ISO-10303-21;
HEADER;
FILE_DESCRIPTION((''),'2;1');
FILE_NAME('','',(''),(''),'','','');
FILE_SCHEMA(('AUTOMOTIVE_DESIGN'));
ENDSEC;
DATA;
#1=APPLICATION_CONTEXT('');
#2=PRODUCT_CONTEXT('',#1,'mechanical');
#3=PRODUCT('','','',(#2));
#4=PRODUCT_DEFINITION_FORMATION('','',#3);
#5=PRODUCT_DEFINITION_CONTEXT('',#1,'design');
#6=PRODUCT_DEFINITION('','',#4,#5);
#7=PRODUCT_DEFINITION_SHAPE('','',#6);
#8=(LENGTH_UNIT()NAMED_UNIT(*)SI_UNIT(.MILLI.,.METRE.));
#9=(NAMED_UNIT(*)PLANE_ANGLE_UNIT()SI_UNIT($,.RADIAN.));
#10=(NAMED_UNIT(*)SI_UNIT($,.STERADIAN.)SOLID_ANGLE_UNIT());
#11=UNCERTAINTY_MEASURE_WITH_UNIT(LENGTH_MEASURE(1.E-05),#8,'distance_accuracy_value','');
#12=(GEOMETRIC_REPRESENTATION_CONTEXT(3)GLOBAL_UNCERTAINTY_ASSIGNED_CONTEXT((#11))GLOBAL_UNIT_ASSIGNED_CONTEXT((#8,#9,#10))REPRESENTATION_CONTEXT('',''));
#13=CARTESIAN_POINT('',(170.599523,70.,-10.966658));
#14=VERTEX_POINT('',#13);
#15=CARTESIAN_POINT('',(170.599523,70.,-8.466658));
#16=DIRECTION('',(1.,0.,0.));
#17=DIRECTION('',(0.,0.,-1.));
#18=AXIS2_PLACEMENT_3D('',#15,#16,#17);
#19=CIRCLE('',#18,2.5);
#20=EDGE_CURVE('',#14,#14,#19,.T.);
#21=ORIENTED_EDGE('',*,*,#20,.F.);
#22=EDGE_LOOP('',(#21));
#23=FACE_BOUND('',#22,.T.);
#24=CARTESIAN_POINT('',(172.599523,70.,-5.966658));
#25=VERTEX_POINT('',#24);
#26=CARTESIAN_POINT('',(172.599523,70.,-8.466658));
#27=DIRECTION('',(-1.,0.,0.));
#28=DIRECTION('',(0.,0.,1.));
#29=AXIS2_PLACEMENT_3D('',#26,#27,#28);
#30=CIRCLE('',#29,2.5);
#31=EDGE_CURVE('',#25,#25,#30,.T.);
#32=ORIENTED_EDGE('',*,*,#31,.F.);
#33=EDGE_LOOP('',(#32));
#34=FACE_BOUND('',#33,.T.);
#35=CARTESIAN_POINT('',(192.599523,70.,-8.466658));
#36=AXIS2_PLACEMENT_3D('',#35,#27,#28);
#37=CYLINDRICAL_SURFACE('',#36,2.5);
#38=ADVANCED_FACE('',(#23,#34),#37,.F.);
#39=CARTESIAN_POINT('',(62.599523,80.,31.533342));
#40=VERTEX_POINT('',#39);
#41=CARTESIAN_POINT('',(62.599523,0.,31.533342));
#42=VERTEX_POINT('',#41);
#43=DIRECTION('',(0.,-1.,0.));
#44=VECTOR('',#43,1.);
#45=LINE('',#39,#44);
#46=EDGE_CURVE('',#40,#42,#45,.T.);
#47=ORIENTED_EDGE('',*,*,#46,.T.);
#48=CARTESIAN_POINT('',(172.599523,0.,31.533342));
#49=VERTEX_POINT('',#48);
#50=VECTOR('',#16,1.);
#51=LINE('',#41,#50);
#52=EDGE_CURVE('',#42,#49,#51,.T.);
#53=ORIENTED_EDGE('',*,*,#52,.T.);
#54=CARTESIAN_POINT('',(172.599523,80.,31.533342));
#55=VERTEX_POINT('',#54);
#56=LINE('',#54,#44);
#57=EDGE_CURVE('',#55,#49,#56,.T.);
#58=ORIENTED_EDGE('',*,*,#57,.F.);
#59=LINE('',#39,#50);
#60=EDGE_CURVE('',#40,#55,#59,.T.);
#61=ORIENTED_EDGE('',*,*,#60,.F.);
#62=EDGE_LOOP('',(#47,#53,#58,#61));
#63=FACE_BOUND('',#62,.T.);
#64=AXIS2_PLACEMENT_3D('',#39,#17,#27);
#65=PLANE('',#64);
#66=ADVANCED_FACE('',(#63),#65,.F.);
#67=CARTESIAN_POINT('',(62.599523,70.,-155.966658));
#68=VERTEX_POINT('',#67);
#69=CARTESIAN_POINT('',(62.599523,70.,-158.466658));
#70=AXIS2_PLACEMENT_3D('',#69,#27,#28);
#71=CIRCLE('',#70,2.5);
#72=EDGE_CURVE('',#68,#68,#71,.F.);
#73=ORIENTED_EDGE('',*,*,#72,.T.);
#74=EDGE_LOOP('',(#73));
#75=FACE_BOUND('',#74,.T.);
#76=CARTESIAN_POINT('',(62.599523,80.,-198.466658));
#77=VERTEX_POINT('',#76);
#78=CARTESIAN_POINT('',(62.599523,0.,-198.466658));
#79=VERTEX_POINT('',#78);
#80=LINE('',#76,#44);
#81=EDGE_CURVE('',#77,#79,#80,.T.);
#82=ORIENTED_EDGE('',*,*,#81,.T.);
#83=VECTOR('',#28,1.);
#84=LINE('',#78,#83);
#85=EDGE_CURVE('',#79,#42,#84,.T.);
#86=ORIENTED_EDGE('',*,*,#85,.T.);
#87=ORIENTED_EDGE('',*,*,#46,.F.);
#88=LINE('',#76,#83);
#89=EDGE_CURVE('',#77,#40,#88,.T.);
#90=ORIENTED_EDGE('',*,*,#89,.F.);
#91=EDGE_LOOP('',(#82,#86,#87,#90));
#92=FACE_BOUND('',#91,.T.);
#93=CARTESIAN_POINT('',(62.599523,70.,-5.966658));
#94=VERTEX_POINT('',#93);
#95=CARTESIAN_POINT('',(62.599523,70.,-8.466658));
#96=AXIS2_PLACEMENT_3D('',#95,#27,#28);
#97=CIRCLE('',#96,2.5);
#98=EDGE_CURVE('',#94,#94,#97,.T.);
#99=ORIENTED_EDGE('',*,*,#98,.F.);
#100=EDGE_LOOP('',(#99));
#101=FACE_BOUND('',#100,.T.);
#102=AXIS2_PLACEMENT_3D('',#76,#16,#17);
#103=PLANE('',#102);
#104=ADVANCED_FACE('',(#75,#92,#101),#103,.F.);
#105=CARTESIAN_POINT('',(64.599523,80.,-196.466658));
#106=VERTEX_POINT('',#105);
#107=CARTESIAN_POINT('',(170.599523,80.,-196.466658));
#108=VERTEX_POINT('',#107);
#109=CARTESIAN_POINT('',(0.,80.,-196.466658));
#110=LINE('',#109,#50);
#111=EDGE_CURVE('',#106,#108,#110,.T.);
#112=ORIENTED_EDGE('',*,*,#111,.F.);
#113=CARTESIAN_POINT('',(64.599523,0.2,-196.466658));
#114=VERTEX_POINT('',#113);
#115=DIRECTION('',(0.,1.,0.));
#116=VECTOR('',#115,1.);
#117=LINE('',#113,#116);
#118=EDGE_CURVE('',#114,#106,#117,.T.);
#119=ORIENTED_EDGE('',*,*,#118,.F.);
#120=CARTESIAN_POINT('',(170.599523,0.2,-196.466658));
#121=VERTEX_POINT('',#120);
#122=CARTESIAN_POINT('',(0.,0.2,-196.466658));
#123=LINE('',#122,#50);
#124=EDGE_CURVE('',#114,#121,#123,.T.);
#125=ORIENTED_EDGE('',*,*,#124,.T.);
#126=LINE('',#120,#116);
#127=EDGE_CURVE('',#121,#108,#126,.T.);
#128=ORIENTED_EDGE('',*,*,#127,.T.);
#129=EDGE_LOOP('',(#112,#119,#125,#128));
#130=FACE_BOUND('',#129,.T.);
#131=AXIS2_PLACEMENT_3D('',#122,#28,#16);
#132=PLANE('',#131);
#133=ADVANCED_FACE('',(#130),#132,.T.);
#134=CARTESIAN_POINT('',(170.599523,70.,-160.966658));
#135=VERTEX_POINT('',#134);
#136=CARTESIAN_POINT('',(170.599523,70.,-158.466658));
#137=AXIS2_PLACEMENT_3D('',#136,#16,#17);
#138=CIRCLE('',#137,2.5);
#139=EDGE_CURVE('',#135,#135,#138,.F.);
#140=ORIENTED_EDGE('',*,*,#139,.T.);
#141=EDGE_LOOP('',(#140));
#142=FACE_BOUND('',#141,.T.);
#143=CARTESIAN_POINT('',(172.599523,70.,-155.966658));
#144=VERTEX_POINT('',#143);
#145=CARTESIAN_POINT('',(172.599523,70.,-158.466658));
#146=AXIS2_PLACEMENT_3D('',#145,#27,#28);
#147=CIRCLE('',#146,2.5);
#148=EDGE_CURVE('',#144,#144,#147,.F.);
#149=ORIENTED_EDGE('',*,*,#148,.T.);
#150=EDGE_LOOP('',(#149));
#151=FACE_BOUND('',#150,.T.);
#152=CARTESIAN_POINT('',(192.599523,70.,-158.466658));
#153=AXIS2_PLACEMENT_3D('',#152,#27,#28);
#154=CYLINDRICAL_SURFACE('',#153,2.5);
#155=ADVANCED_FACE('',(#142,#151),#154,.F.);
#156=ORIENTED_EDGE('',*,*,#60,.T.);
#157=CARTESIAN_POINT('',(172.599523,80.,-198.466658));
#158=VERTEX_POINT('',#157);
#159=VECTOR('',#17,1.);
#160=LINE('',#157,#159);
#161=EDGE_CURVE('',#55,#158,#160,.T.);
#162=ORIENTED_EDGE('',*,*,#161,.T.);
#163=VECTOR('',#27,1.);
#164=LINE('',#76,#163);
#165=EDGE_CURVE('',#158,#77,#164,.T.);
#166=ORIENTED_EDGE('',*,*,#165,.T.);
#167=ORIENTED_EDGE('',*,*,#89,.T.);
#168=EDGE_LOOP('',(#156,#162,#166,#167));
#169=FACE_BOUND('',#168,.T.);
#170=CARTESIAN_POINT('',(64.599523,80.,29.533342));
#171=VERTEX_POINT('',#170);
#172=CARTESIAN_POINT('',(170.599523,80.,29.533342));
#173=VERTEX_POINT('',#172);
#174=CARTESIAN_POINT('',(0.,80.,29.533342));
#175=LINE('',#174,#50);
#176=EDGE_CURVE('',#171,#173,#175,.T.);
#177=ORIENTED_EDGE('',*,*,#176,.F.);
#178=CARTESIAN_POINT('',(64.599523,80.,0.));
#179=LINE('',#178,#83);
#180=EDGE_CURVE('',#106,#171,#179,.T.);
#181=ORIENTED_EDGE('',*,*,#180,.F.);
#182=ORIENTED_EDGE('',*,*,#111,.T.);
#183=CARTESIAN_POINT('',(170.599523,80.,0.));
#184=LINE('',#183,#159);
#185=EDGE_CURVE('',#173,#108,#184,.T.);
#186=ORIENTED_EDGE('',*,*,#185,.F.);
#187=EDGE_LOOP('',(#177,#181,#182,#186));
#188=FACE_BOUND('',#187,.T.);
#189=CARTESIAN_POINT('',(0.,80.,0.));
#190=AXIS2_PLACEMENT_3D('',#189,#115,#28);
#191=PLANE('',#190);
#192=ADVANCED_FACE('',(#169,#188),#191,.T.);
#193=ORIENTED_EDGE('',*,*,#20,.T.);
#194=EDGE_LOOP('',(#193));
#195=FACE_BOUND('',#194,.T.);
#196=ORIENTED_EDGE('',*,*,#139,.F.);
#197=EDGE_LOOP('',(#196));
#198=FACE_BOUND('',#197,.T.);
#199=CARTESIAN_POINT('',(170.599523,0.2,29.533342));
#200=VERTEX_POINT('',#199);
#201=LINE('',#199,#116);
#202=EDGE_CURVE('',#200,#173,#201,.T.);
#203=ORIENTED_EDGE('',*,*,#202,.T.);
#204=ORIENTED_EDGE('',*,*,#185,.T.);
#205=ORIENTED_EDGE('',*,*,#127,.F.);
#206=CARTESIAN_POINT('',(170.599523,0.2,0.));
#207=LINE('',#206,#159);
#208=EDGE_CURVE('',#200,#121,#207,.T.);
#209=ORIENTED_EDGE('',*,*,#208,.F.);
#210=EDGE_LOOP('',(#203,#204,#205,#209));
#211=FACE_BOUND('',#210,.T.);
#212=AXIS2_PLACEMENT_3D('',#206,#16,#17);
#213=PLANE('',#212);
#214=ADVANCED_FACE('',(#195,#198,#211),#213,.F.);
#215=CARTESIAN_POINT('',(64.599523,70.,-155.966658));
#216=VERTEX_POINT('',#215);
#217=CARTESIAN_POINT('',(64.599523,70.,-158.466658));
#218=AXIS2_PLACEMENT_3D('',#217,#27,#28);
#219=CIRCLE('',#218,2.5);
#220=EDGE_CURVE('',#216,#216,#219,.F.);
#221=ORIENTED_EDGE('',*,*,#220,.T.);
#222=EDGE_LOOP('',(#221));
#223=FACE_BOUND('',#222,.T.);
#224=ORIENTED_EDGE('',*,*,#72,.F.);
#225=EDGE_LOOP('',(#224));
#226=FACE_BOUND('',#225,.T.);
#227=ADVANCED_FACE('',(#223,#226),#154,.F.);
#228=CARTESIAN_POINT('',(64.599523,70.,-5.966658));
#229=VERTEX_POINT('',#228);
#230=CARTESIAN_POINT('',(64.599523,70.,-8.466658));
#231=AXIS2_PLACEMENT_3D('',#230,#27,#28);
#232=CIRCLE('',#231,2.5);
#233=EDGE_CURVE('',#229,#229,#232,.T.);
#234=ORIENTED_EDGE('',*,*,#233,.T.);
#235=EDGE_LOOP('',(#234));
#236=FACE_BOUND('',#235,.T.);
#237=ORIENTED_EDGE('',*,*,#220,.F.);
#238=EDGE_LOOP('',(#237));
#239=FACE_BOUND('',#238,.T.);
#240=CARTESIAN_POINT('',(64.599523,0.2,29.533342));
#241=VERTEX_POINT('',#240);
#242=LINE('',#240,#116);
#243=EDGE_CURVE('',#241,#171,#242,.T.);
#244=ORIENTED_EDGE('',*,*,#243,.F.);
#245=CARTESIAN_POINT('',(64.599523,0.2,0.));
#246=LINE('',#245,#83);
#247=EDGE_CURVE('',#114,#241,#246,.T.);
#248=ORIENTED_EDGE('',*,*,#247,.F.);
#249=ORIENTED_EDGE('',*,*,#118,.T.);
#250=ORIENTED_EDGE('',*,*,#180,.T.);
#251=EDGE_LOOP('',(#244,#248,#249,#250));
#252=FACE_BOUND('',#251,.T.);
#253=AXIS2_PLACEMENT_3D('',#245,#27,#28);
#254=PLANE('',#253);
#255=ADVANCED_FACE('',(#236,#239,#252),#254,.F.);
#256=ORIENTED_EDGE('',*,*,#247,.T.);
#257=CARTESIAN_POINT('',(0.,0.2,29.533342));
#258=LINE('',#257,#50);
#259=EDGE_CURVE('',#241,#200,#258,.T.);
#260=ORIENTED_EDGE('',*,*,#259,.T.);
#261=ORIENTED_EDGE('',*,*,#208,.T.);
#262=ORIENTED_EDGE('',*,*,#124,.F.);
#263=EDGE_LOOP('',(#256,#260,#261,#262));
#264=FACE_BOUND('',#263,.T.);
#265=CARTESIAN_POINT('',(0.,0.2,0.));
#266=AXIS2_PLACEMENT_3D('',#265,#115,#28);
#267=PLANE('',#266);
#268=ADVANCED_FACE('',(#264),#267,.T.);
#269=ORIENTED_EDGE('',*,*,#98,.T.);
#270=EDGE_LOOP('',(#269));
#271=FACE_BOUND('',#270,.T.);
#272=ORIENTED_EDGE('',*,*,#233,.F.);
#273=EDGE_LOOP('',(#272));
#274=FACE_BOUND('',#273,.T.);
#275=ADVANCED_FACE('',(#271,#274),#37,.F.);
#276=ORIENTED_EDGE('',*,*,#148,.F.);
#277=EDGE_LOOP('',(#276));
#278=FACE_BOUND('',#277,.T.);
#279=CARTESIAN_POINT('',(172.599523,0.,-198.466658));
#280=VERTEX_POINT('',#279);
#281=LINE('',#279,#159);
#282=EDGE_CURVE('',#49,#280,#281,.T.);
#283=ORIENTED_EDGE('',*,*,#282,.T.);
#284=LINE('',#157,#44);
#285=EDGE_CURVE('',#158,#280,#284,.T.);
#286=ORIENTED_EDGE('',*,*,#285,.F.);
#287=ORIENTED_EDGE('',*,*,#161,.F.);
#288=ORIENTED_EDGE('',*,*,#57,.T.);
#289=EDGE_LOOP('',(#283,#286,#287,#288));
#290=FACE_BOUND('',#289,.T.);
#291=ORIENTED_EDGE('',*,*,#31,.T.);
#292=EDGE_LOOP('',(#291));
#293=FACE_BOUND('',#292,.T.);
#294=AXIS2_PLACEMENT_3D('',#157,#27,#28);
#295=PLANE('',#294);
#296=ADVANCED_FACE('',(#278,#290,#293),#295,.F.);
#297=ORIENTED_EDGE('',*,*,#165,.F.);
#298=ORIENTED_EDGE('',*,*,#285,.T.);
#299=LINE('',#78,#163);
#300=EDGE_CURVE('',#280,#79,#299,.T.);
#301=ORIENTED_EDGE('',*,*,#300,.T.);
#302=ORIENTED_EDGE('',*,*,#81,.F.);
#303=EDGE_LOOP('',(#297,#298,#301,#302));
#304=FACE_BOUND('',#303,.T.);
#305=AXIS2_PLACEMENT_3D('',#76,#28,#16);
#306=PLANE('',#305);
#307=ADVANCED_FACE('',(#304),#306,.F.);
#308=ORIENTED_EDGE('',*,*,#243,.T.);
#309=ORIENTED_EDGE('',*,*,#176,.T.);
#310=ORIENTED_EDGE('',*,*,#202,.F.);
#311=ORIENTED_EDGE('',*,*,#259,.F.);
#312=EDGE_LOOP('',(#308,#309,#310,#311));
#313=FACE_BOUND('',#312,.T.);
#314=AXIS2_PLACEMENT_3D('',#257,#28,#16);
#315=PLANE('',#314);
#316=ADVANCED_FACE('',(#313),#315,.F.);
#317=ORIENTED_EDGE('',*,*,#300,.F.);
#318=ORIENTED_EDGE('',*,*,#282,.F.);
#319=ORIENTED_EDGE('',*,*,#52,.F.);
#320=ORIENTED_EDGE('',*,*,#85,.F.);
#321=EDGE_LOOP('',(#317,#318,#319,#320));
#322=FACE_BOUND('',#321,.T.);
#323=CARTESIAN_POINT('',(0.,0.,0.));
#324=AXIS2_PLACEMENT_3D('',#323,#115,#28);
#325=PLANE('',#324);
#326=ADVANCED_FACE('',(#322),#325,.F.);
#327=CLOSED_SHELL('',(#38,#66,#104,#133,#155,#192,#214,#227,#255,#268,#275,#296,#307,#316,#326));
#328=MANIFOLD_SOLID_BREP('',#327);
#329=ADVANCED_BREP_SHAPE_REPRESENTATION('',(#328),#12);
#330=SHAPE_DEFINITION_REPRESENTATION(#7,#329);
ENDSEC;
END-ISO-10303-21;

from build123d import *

# Parameters (mm, degrees)
SKETCH4_W           = 110
SKETCH4_H           = 230
BOSS_EXTRUDE3_DEPTH = 80
SKETCH5_W           = 106
SKETCH5_H           = 113
CUT_EXTRUDE2_DEPTH  = 79.8
SKETCH6_R           = 2.5
CUT_EXTRUDE3_DEPTH  = 130


with BuildPart() as part:
    # Sketch4 → Boss-Extrude3 (new body)
    with BuildSketch(Plane(origin=(0, 0, 0), x_dir=(1, 0, 0), z_dir=(0, 1, 0))):
        with Locations((117.5995229, 83.46665824)):
            Rectangle(SKETCH4_W, SKETCH4_H)
    extrude(amount=BOSS_EXTRUDE3_DEPTH)

    # Sketch5 → Cut-Extrude2 (cut)
    with BuildSketch(Plane(origin=(0, 80, 0), x_dir=(1, 0, 0), z_dir=(0, 1, 0))):
        with Locations((117.5995229, 139.96665824)):
            Rectangle(SKETCH5_W, SKETCH5_H)
        with Locations((117.5995229, 26.96665824)):
            Rectangle(SKETCH5_W, SKETCH5_H)
    extrude(amount=-CUT_EXTRUDE2_DEPTH, mode=Mode.SUBTRACT)

    # Sketch6 → Cut-Extrude3 (cut)
    with BuildSketch(Plane.ZY.offset(-62.5995229)):
        with Locations((-158.46665824, 70)):
            Circle(SKETCH6_R)
        with Locations((-8.46665824, 70)):
            Circle(SKETCH6_R)
    extrude(amount=-CUT_EXTRUDE3_DEPTH, mode=Mode.SUBTRACT)


solid = part.part
